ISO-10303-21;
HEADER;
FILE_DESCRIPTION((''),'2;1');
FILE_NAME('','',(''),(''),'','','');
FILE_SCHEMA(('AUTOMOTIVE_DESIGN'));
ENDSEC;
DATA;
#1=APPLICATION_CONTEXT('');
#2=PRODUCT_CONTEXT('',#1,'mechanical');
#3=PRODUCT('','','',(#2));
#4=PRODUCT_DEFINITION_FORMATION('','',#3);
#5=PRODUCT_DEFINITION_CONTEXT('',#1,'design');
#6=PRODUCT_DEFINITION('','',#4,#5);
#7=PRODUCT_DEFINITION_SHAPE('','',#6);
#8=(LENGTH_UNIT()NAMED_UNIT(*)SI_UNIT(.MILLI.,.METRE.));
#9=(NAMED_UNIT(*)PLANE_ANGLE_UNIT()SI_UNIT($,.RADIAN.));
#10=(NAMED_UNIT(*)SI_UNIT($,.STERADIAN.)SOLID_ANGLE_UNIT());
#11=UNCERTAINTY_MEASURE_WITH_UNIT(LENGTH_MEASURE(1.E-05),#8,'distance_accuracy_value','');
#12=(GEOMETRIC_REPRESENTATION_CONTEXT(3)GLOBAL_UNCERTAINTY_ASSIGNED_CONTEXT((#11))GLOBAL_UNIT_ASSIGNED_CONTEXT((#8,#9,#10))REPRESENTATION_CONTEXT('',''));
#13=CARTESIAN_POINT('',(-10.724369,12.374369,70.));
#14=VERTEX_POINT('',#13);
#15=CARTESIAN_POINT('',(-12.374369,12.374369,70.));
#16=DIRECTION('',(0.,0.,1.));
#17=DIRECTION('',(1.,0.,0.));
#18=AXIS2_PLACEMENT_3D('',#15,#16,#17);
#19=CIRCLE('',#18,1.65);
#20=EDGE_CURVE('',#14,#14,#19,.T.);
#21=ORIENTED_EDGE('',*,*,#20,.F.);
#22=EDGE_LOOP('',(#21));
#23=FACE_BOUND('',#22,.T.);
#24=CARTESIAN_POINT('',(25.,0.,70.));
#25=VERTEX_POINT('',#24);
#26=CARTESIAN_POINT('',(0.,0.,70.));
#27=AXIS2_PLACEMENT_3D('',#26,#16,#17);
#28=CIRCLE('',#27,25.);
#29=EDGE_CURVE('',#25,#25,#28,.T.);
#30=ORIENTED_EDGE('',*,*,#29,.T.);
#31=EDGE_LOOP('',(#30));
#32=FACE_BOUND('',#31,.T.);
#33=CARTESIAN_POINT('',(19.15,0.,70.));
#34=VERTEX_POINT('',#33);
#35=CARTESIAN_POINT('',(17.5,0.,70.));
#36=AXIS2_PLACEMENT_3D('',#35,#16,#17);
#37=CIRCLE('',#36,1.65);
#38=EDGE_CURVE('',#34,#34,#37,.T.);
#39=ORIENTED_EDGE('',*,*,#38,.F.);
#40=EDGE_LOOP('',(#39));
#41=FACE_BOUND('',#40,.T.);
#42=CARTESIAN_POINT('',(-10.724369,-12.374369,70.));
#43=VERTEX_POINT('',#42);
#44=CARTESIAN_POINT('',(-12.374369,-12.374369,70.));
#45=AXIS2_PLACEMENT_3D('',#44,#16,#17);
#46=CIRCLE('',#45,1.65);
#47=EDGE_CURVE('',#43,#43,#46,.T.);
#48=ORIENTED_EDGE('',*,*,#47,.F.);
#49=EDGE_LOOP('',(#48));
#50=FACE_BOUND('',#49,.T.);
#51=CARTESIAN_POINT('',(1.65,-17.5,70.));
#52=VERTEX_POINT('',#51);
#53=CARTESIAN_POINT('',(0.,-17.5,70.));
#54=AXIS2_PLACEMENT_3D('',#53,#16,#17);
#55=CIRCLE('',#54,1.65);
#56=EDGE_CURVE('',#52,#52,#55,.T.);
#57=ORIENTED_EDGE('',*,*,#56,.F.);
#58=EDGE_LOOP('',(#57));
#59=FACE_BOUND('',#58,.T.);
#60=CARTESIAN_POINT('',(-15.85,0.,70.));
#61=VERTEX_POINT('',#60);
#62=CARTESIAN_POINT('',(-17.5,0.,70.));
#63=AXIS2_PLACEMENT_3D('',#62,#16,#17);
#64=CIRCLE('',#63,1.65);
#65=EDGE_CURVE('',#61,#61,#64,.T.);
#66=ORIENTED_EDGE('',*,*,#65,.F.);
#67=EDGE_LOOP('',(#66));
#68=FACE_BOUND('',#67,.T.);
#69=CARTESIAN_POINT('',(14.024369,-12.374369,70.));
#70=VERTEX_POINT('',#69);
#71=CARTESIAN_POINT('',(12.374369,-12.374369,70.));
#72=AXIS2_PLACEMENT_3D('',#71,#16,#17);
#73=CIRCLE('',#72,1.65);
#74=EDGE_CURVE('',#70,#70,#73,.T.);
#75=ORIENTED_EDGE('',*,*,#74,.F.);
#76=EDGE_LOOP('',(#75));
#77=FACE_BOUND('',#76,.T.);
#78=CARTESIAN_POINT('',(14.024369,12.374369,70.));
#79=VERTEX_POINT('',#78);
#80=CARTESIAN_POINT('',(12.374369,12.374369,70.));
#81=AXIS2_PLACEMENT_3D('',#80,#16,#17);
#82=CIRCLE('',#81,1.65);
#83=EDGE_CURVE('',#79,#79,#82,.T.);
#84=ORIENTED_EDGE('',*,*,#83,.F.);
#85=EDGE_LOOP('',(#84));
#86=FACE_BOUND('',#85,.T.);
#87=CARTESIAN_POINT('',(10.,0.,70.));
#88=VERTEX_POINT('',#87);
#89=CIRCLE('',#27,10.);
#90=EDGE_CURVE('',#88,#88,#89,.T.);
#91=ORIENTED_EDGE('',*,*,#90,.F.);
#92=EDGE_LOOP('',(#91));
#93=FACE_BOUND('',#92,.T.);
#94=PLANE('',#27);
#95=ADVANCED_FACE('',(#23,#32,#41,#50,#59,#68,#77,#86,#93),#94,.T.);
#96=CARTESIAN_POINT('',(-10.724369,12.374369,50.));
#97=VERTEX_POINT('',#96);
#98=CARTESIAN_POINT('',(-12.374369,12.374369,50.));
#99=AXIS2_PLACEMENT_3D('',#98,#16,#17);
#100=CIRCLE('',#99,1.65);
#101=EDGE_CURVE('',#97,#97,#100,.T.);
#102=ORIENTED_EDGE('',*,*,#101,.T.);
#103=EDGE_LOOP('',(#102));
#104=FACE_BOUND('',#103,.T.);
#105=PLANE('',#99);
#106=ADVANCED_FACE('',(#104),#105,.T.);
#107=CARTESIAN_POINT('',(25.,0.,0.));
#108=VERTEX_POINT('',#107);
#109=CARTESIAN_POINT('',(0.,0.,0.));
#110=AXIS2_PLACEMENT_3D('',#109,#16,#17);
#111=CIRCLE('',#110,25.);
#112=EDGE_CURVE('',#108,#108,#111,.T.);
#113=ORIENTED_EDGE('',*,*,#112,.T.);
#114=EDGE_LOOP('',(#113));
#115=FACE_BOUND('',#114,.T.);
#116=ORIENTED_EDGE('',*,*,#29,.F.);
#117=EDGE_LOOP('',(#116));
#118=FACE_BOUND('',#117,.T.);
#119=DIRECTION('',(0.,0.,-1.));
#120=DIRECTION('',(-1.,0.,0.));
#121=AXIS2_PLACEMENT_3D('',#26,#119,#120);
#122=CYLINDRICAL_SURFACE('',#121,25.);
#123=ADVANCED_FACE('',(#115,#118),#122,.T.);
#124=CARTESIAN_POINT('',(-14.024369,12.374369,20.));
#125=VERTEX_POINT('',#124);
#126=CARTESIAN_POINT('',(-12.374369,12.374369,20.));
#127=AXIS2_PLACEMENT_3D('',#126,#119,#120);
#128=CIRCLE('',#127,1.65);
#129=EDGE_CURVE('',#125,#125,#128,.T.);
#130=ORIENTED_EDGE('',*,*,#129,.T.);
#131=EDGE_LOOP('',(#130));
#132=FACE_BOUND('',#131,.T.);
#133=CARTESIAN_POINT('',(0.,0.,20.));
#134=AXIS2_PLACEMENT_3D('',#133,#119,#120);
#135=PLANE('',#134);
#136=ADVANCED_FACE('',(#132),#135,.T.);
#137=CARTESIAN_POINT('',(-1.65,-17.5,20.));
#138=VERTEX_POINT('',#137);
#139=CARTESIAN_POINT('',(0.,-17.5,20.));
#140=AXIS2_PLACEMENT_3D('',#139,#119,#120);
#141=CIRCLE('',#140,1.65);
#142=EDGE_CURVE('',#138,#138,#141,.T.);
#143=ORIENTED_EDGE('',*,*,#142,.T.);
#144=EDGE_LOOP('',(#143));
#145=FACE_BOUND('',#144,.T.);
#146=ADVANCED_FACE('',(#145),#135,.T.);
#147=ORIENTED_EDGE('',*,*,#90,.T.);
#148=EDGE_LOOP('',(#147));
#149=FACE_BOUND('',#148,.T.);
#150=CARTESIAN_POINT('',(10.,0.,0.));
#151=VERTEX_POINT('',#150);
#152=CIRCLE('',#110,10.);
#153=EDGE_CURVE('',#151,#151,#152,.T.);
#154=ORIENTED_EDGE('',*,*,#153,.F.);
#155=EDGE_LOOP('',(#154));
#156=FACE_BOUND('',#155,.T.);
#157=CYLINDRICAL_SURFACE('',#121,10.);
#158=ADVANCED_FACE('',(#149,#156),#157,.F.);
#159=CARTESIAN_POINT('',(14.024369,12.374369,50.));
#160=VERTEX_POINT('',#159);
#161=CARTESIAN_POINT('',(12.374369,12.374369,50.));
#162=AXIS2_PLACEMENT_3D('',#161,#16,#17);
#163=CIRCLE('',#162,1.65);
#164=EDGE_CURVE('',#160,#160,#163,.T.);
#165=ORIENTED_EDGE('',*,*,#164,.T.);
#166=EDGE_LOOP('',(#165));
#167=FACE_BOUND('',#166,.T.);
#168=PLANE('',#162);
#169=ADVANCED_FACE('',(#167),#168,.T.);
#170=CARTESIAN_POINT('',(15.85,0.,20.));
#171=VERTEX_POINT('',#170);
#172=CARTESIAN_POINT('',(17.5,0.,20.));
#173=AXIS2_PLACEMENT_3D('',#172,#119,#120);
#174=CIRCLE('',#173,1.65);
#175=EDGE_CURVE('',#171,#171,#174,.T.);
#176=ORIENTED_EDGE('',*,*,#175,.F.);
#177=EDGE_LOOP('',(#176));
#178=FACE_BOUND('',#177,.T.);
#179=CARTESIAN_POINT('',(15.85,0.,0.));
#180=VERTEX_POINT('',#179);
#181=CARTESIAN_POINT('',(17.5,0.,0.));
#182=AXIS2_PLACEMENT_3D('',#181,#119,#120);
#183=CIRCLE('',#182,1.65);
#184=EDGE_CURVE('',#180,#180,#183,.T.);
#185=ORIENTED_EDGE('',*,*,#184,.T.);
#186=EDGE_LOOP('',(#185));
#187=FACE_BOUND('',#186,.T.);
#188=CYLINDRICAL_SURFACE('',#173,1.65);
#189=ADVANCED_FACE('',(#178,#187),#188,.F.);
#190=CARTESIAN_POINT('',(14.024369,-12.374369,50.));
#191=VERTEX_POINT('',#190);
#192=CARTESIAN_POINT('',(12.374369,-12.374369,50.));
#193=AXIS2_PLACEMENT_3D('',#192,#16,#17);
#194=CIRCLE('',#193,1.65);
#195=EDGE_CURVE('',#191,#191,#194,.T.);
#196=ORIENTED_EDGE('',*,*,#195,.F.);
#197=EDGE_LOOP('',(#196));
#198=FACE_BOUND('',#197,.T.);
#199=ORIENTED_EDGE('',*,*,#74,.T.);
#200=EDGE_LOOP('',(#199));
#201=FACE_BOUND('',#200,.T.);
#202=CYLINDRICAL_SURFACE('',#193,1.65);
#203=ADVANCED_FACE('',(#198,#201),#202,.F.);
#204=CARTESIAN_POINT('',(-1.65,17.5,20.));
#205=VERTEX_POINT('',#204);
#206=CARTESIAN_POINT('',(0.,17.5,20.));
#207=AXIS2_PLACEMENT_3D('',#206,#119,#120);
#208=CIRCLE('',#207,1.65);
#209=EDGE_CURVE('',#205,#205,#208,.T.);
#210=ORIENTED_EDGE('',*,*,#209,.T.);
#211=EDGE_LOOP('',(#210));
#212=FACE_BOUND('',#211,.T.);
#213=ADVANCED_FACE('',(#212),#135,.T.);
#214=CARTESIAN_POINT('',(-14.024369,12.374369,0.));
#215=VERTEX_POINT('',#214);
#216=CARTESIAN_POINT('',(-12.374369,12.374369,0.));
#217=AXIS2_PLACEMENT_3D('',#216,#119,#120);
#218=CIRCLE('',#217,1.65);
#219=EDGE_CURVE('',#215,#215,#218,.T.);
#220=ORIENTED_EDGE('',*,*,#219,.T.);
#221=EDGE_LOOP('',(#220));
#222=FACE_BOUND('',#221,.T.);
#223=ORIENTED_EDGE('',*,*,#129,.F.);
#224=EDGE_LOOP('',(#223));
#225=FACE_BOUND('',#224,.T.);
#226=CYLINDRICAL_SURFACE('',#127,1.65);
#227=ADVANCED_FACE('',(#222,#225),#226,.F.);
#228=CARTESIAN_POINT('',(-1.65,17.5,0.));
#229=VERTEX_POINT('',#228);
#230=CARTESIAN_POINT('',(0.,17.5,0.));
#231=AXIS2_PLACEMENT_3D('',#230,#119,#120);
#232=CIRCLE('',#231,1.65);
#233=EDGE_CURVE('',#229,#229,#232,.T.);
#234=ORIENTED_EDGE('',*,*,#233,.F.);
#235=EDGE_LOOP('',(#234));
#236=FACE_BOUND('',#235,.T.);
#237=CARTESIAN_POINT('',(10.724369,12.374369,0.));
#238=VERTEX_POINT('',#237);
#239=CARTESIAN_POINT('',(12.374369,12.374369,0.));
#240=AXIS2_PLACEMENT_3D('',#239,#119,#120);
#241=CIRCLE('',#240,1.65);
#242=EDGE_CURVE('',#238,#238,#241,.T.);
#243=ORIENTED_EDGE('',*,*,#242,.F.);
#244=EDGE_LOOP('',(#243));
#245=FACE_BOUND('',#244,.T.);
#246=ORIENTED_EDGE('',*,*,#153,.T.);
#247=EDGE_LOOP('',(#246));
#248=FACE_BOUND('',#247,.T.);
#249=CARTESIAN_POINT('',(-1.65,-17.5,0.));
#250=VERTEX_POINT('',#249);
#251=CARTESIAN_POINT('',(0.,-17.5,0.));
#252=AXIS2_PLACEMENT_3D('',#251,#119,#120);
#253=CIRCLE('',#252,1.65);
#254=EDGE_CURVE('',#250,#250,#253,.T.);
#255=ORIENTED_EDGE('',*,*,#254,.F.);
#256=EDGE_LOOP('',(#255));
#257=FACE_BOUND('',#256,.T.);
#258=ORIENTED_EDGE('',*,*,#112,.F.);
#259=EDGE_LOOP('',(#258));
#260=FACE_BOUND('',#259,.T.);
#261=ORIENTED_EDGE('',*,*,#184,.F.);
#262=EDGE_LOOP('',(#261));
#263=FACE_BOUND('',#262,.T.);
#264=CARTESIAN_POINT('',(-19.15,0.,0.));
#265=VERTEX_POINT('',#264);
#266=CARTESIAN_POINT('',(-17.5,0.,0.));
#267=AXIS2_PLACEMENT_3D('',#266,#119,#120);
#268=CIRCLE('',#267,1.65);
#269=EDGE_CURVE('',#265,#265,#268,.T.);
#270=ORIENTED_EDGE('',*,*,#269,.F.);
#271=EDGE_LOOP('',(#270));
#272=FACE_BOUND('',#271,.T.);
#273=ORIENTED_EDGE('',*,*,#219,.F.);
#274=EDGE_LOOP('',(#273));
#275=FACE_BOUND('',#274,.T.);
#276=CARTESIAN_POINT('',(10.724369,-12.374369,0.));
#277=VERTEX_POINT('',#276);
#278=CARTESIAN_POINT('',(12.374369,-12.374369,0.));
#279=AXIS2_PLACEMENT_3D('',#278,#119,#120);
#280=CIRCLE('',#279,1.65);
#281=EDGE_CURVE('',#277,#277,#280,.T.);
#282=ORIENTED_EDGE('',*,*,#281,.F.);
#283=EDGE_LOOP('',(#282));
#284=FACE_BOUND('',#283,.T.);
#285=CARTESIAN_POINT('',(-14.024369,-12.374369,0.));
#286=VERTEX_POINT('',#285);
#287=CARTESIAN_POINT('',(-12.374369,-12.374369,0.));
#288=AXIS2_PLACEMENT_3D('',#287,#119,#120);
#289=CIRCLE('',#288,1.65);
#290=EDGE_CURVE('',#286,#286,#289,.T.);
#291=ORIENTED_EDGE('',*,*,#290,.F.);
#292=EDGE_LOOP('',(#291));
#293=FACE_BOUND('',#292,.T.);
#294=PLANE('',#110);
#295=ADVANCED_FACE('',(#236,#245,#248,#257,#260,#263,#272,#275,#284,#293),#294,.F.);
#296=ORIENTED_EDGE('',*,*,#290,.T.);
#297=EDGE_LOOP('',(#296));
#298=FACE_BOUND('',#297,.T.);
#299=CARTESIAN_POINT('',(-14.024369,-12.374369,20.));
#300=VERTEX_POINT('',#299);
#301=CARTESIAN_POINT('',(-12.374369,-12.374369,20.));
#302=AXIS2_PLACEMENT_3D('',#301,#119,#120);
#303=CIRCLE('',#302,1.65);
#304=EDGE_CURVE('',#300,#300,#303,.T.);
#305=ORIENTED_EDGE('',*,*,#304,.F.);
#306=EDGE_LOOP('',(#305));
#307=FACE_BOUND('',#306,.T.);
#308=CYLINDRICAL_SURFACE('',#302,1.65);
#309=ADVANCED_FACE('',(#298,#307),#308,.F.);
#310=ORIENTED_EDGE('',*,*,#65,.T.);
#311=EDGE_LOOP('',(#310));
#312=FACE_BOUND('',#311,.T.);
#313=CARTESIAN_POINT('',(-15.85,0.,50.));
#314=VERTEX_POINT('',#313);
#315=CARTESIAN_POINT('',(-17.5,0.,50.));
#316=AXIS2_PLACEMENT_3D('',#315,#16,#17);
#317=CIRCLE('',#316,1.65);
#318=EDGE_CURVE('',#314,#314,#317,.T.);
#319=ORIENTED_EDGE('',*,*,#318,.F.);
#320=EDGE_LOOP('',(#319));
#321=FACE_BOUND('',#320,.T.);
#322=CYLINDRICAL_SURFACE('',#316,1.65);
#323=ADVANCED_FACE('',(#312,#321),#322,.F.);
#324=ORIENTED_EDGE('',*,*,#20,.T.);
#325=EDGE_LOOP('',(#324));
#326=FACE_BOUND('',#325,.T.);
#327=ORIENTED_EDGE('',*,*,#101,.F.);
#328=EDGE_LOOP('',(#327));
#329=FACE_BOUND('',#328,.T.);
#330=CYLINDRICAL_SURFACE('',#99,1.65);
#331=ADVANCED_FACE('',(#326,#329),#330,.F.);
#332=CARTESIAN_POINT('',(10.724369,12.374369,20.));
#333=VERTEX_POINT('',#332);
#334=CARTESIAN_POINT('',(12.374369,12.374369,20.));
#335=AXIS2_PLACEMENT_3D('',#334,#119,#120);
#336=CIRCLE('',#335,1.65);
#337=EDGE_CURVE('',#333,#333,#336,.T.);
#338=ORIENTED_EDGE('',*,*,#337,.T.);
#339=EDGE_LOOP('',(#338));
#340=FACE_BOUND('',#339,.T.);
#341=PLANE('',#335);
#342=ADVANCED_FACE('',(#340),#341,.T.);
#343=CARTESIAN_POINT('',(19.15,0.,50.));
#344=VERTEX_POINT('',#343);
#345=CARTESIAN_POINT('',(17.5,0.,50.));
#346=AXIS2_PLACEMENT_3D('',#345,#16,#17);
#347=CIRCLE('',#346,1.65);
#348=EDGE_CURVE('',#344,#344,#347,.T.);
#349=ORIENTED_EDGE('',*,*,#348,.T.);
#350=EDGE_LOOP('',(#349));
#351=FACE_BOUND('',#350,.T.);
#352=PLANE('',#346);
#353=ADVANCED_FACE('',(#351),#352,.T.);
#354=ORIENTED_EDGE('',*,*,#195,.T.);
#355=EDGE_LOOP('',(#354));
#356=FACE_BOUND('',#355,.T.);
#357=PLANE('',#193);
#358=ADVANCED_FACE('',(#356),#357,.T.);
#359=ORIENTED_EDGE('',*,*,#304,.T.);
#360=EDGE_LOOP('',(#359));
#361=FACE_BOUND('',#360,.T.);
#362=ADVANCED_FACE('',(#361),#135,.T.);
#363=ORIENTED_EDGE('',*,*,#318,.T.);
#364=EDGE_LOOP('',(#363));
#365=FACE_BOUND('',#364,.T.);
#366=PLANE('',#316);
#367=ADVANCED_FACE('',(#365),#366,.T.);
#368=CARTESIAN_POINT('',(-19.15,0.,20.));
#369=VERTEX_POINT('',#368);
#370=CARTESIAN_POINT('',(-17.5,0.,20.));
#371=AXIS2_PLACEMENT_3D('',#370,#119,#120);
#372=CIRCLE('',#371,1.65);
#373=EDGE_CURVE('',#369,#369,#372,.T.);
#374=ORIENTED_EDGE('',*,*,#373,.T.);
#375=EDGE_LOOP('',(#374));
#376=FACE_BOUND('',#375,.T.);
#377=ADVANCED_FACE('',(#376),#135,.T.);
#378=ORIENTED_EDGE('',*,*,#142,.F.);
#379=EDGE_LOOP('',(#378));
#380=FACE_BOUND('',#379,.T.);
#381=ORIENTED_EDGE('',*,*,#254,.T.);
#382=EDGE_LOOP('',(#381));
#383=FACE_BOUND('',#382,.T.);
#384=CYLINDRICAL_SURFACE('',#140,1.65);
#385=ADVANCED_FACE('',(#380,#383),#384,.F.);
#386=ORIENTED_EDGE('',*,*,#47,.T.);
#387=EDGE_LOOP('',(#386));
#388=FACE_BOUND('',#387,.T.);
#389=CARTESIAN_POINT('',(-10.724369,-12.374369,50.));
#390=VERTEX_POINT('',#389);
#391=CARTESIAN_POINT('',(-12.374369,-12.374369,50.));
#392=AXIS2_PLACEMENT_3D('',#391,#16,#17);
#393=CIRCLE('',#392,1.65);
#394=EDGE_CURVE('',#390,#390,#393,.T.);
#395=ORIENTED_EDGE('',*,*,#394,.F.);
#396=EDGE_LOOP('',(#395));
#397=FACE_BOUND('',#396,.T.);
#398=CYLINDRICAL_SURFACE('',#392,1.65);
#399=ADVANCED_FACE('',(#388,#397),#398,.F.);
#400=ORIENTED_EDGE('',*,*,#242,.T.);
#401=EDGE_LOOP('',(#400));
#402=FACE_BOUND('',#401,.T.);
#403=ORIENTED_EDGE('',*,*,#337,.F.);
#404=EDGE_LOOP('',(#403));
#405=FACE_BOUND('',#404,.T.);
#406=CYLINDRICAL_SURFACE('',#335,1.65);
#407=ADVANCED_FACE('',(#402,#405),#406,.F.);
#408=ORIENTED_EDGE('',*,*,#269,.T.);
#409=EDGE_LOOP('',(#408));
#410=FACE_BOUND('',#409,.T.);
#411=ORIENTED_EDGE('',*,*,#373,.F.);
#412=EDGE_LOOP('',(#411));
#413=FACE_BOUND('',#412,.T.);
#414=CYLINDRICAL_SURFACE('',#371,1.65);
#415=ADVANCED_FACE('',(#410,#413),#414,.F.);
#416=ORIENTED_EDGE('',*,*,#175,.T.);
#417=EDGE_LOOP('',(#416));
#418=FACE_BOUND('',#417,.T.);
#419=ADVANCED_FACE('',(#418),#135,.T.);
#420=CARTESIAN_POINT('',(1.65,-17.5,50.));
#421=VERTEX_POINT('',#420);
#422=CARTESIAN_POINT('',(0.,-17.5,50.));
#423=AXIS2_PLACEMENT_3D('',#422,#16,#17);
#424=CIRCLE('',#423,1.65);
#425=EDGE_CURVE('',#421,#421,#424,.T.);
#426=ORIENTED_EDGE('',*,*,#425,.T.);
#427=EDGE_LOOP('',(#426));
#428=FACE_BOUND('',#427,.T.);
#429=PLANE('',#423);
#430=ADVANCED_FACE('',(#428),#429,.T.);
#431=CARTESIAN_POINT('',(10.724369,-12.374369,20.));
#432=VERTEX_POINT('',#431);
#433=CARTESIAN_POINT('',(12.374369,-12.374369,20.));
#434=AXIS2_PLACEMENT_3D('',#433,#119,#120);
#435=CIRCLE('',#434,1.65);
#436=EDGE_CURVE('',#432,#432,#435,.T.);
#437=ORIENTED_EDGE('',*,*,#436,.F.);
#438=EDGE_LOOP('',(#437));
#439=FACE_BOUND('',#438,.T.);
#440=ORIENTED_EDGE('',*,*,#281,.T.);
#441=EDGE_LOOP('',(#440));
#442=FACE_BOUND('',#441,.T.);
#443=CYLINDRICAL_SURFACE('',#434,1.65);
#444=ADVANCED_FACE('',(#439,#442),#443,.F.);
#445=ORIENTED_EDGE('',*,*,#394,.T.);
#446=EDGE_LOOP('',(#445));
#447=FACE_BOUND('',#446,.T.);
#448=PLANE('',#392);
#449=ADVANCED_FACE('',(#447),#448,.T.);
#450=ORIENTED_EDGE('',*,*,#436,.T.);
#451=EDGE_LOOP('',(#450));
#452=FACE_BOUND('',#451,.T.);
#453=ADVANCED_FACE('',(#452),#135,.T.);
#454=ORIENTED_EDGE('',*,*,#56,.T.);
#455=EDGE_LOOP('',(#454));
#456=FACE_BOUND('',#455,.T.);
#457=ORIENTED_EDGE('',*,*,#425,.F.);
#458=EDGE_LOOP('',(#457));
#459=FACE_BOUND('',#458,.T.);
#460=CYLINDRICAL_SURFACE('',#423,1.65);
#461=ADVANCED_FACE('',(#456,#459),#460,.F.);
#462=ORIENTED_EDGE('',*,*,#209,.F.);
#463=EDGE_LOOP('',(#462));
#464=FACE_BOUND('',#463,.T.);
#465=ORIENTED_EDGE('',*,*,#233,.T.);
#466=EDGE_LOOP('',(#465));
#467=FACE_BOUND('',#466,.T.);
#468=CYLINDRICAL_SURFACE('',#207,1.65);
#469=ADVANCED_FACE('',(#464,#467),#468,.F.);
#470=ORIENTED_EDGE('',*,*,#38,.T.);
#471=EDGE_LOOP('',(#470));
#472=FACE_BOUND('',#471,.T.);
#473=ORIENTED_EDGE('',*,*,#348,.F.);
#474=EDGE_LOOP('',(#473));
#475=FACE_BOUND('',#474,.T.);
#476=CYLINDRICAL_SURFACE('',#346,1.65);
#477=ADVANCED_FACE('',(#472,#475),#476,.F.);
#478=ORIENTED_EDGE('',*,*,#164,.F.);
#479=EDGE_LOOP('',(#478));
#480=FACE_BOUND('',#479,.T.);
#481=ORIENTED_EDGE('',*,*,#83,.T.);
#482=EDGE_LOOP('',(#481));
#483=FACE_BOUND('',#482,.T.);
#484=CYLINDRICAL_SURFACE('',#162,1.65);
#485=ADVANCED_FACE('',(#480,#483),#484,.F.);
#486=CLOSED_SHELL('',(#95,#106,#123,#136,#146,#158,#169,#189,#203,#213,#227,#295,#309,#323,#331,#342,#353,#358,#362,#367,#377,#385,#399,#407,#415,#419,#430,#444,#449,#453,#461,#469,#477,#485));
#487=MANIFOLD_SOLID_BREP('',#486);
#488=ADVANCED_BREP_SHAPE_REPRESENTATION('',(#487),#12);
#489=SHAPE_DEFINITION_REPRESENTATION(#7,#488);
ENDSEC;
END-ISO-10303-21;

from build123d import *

# Parameters (mm, degrees)
SKETCH1_R           = 25
SKETCH1_R_2         = 10
BOSS_EXTRUDE1_DEPTH = 70
SKETCH3_R           = 1.65
CUT_EXTRUDE1_DEPTH  = 20
CUT_EXTRUDE2_START  = -20
SKETCH4_R           = 1.65
CUT_EXTRUDE2_DEPTH  = 20


with BuildPart() as part:
    # Sketch1 → Boss-Extrude1 (new body)
    with BuildSketch(Plane.XY):
        Circle(SKETCH1_R)
        Circle(SKETCH1_R_2, mode=Mode.SUBTRACT)
    extrude(amount=BOSS_EXTRUDE1_DEPTH)

    # Sketch3 → Cut-Extrude1 (cut)
    with BuildSketch(Plane.XY.offset(70)):
        with Locations((12.374368671, 12.374368671)):
            Circle(SKETCH3_R)
        with Locations((17.5, 0)):
            Circle(SKETCH3_R)
        with Locations((12.374368671, -12.374368671)):
            Circle(SKETCH3_R)
        with Locations((0, -17.5)):
            Circle(SKETCH3_R)
        with Locations((-12.374368671, -12.374368671)):
            Circle(SKETCH3_R)
        with Locations((-17.5, 0)):
            Circle(SKETCH3_R)
        with Locations((-12.374368671, 12.374368671)):
            Circle(SKETCH3_R)
    extrude(amount=-CUT_EXTRUDE1_DEPTH, mode=Mode.SUBTRACT)

    # Sketch4 → Cut-Extrude2 (cut)
    with BuildSketch(Plane(origin=(0, 0, 0), x_dir=(-1, 0, 0), z_dir=(0, 0, -1)).offset(CUT_EXTRUDE2_START)):
        with Locations((0, 17.5)):
            Circle(SKETCH4_R)
        with Locations(Location((12.374368671, 12.374368671, 0), (0, 0, 180))):
            Circle(SKETCH4_R)
        with Locations(Location((17.5, 0, 0), (0, 0, 180))):
            Circle(SKETCH4_R)
        with Locations(Location((12.374368671, -12.374368671, 0), (0, 0, 180))):
            Circle(SKETCH4_R)
        with Locations(Location((0, -17.5, 0), (0, 0, 180))):
            Circle(SKETCH4_R)
        with Locations(Location((-12.374368671, -12.374368671, 0), (0, 0, 180))):
            Circle(SKETCH4_R)
        with Locations(Location((-17.5, 0, 0), (0, 0, 180))):
            Circle(SKETCH4_R)
        with Locations(Location((-12.374368671, 12.374368671, 0), (0, 0, 180))):
            Circle(SKETCH4_R)
    extrude(amount=CUT_EXTRUDE2_DEPTH, mode=Mode.SUBTRACT)


solid = part.part
